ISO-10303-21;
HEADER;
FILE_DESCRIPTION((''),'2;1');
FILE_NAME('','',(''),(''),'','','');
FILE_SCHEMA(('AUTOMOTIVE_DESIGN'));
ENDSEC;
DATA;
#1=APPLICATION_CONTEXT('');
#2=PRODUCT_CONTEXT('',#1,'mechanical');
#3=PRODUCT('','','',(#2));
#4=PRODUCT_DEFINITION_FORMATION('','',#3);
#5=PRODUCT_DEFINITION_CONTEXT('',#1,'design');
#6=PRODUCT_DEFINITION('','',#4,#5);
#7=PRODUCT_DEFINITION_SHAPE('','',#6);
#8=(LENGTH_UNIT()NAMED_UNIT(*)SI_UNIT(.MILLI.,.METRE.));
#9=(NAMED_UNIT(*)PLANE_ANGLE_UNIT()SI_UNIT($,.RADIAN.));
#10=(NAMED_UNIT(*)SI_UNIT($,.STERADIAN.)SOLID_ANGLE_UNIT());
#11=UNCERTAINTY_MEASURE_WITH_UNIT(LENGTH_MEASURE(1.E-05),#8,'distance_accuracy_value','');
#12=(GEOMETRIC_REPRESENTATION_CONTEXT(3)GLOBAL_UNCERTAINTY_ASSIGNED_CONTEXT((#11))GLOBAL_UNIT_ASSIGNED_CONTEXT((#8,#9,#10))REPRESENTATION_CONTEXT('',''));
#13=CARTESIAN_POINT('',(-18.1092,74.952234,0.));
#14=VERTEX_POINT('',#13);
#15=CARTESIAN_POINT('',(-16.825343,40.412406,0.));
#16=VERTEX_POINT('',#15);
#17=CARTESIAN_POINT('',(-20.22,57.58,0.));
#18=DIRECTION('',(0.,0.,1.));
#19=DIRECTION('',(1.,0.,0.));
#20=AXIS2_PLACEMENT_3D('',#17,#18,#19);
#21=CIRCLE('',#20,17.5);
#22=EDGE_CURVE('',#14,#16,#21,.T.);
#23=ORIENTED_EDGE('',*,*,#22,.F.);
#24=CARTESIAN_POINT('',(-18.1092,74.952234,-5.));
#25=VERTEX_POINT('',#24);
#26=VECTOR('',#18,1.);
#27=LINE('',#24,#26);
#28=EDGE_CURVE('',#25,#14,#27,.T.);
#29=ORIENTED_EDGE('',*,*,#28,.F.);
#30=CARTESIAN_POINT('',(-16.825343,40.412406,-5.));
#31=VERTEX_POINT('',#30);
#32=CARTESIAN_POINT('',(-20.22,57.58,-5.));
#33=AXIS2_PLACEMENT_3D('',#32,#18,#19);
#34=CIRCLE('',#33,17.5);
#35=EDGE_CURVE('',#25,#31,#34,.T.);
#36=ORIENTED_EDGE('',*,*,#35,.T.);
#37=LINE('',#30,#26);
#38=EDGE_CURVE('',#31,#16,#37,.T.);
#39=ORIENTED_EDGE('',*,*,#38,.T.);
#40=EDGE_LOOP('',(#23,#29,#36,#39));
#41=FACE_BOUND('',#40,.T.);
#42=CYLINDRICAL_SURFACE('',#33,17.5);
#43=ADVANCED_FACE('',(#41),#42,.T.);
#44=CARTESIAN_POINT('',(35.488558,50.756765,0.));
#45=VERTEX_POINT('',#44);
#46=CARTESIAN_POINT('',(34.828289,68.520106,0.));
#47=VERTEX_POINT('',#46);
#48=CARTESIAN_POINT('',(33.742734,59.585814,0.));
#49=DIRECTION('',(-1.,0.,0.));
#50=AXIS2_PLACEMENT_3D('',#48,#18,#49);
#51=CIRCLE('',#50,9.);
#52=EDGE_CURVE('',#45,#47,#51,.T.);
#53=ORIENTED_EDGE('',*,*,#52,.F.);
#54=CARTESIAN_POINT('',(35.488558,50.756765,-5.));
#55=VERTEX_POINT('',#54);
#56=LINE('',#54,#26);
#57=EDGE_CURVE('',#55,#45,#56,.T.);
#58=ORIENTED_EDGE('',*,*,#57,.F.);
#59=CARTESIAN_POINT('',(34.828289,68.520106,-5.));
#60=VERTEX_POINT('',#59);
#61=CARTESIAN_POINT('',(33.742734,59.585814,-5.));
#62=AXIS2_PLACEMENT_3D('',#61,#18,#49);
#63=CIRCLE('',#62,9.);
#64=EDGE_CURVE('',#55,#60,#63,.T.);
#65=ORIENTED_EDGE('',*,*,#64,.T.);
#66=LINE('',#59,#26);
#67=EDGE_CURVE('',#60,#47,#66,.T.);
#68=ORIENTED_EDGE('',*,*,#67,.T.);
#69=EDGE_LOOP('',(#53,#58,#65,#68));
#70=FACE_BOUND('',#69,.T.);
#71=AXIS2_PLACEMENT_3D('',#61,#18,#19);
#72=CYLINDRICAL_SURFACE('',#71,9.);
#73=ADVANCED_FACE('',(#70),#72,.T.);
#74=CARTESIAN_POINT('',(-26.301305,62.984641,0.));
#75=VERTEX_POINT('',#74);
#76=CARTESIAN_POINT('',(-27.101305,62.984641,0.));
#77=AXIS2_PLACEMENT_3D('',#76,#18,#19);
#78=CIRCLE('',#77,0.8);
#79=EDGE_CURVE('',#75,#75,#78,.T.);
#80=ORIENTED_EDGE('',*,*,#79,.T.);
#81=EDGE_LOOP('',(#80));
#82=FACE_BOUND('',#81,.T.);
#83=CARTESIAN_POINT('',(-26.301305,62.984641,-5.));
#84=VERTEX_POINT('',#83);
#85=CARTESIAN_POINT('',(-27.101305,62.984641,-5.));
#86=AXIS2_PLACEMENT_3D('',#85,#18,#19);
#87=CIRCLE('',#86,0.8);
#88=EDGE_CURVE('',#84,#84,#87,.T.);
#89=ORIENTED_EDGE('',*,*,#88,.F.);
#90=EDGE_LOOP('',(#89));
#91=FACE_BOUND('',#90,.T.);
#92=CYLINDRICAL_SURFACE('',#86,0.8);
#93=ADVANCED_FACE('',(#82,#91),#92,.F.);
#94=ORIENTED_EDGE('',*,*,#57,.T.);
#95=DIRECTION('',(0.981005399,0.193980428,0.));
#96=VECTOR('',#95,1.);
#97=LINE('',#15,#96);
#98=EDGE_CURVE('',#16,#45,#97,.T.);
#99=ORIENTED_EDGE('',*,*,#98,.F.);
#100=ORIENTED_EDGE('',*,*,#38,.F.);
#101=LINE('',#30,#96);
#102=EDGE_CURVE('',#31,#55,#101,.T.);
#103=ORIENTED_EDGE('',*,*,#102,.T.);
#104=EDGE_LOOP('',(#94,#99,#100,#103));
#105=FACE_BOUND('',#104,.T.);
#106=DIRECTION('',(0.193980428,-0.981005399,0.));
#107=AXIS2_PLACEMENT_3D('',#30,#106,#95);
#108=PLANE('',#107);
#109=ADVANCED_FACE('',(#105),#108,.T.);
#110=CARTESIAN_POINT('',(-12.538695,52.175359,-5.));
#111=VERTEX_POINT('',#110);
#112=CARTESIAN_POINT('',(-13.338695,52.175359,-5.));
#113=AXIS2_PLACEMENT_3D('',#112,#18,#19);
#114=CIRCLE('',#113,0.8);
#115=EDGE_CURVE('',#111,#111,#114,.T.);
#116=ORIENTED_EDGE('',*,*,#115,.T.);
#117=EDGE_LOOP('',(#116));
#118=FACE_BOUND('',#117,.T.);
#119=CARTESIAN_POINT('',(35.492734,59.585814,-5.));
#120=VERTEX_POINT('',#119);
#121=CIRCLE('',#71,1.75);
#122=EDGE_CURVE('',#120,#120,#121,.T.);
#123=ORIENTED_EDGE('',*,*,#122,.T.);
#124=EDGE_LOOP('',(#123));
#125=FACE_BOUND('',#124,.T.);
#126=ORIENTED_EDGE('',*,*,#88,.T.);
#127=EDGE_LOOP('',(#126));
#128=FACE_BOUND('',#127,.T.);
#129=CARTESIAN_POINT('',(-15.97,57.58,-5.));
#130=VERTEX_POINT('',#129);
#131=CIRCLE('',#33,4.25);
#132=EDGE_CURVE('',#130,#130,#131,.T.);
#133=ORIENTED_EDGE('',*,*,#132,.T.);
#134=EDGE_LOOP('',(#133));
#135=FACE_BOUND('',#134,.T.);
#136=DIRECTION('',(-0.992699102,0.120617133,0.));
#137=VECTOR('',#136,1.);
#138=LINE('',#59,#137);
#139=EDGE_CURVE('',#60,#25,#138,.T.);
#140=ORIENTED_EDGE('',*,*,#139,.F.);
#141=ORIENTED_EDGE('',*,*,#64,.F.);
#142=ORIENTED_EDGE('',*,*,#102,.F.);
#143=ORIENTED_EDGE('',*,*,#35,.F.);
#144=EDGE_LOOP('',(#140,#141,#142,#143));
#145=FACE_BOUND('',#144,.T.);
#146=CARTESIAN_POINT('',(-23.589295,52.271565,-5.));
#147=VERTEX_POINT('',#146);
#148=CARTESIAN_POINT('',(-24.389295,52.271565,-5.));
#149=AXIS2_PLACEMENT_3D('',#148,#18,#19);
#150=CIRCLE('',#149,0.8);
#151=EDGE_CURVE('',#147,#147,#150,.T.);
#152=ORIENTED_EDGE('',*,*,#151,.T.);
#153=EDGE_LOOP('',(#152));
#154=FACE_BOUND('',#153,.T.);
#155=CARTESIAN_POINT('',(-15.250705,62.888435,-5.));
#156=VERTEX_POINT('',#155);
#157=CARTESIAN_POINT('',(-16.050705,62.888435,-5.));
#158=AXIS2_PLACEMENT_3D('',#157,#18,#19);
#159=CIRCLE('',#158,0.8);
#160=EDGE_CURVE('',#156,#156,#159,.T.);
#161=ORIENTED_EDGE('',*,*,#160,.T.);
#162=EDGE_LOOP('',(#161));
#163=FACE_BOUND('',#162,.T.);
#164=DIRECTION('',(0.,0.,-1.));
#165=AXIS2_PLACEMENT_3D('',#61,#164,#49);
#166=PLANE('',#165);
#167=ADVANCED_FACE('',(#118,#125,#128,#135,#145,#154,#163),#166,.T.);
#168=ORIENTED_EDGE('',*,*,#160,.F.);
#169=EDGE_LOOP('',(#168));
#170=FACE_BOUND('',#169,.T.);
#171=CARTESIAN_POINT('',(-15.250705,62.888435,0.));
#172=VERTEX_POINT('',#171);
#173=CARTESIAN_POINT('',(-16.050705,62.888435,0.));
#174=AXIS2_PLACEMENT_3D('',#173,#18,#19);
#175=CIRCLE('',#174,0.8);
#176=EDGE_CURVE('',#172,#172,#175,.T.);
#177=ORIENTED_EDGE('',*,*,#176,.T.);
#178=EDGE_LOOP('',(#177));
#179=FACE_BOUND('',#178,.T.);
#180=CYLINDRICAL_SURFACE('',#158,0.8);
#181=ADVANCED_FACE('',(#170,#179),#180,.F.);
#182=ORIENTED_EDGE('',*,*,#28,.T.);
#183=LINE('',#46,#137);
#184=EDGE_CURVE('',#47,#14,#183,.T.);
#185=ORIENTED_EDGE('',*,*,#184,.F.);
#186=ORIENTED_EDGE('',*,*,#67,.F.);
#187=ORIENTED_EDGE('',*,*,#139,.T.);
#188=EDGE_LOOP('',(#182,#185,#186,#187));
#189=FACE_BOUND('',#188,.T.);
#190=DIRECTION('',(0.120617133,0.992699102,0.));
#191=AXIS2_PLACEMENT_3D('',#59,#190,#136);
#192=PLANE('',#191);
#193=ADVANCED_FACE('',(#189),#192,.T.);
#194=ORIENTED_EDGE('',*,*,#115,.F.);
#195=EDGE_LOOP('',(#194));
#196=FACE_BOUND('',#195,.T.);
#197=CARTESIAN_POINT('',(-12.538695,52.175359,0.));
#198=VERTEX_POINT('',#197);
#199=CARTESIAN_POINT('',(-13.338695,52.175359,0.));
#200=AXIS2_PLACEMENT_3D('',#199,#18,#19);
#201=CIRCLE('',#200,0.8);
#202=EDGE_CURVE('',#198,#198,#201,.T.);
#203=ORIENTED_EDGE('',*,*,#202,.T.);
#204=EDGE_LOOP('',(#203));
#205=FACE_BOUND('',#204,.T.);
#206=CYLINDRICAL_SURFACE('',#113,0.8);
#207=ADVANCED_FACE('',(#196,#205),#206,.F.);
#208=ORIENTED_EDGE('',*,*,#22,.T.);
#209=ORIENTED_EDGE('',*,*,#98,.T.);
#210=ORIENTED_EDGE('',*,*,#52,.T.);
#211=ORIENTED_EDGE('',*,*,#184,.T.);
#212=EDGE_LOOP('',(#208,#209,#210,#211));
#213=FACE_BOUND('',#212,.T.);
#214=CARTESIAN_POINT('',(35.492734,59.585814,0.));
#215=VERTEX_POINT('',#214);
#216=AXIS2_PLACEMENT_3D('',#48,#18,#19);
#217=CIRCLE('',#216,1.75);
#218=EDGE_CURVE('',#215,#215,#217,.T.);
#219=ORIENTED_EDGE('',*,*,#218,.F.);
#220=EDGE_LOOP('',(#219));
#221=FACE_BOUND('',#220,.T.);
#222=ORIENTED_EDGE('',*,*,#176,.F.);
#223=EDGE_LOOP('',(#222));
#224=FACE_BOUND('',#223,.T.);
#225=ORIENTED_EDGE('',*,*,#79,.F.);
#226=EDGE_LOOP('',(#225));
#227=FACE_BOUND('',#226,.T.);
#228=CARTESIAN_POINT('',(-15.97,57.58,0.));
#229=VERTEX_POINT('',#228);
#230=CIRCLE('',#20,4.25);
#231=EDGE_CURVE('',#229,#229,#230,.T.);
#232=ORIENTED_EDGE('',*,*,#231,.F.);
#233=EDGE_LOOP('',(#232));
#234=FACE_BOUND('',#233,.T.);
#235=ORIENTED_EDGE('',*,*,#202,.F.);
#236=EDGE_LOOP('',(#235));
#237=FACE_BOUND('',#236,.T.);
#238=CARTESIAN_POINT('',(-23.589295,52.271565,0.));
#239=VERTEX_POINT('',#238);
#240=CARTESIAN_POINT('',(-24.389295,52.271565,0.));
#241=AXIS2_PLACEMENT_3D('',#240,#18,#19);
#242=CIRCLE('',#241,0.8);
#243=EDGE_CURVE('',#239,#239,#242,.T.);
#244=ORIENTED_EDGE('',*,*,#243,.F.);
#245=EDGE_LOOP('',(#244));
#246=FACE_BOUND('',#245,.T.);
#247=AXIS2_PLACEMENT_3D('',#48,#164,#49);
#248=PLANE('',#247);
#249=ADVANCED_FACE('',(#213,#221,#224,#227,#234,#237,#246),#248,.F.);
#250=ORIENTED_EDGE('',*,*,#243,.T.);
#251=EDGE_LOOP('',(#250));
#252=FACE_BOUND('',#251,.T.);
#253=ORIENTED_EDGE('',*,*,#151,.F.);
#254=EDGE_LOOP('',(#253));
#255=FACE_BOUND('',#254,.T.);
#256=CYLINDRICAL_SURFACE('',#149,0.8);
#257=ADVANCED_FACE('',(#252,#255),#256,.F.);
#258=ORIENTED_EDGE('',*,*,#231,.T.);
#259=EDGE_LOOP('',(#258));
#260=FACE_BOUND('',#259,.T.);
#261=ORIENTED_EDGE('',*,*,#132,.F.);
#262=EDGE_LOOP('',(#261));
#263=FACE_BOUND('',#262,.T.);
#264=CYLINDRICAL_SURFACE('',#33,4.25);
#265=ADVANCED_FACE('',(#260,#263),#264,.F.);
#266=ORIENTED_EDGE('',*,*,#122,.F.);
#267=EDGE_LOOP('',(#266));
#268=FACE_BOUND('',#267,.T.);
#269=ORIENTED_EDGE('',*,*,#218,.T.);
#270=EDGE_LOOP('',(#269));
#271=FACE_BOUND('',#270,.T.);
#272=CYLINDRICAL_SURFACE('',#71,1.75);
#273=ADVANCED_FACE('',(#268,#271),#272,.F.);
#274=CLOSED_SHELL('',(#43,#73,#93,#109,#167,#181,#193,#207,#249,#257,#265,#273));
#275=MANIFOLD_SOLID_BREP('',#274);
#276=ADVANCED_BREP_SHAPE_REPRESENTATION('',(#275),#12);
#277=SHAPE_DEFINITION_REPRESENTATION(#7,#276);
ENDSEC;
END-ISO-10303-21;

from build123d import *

# Parameters (mm, degrees)
SKETCH1_R           = 1.75
SKETCH1_R_2         = 4.25
SKETCH1_R_3         = 0.8
BOSS_EXTRUDE1_DEPTH = 5


with BuildPart() as part:
    # Sketch1 → Boss-Extrude1 (new body)
    with BuildSketch(Plane.XY):
        with BuildLine():
            Line((34.828288655, 68.520105857), (-18.109200177, 74.952234287))
            ThreePointArc((-18.109200177, 74.952234287), (-37.707923205, 56.929967705), (-16.825342518, 40.41240551))
            Line((-16.825342518, 40.41240551), (35.488558309, 50.756765343))
            ThreePointArc((35.488558309, 50.756765343), (42.736523537, 59.920116261), (34.828288655, 68.520105857))
        make_face()
        with Locations((33.74273446, 59.585813938)):
            Circle(SKETCH1_R, mode=Mode.SUBTRACT)
        with Locations((-20.22, 57.58)):
            Circle(SKETCH1_R_2, mode=Mode.SUBTRACT)
        with Locations((-27.101304543, 62.984641319)):
            Circle(SKETCH1_R_3, mode=Mode.SUBTRACT)
        with Locations((-16.050705268, 62.888434933)):
            Circle(SKETCH1_R_3, mode=Mode.SUBTRACT)
        with Locations((-13.338695457, 52.175358681)):
            Circle(SKETCH1_R_3, mode=Mode.SUBTRACT)
        with Locations((-24.389294732, 52.271565067)):
            Circle(SKETCH1_R_3, mode=Mode.SUBTRACT)
    extrude(amount=-BOSS_EXTRUDE1_DEPTH)


solid = part.part
